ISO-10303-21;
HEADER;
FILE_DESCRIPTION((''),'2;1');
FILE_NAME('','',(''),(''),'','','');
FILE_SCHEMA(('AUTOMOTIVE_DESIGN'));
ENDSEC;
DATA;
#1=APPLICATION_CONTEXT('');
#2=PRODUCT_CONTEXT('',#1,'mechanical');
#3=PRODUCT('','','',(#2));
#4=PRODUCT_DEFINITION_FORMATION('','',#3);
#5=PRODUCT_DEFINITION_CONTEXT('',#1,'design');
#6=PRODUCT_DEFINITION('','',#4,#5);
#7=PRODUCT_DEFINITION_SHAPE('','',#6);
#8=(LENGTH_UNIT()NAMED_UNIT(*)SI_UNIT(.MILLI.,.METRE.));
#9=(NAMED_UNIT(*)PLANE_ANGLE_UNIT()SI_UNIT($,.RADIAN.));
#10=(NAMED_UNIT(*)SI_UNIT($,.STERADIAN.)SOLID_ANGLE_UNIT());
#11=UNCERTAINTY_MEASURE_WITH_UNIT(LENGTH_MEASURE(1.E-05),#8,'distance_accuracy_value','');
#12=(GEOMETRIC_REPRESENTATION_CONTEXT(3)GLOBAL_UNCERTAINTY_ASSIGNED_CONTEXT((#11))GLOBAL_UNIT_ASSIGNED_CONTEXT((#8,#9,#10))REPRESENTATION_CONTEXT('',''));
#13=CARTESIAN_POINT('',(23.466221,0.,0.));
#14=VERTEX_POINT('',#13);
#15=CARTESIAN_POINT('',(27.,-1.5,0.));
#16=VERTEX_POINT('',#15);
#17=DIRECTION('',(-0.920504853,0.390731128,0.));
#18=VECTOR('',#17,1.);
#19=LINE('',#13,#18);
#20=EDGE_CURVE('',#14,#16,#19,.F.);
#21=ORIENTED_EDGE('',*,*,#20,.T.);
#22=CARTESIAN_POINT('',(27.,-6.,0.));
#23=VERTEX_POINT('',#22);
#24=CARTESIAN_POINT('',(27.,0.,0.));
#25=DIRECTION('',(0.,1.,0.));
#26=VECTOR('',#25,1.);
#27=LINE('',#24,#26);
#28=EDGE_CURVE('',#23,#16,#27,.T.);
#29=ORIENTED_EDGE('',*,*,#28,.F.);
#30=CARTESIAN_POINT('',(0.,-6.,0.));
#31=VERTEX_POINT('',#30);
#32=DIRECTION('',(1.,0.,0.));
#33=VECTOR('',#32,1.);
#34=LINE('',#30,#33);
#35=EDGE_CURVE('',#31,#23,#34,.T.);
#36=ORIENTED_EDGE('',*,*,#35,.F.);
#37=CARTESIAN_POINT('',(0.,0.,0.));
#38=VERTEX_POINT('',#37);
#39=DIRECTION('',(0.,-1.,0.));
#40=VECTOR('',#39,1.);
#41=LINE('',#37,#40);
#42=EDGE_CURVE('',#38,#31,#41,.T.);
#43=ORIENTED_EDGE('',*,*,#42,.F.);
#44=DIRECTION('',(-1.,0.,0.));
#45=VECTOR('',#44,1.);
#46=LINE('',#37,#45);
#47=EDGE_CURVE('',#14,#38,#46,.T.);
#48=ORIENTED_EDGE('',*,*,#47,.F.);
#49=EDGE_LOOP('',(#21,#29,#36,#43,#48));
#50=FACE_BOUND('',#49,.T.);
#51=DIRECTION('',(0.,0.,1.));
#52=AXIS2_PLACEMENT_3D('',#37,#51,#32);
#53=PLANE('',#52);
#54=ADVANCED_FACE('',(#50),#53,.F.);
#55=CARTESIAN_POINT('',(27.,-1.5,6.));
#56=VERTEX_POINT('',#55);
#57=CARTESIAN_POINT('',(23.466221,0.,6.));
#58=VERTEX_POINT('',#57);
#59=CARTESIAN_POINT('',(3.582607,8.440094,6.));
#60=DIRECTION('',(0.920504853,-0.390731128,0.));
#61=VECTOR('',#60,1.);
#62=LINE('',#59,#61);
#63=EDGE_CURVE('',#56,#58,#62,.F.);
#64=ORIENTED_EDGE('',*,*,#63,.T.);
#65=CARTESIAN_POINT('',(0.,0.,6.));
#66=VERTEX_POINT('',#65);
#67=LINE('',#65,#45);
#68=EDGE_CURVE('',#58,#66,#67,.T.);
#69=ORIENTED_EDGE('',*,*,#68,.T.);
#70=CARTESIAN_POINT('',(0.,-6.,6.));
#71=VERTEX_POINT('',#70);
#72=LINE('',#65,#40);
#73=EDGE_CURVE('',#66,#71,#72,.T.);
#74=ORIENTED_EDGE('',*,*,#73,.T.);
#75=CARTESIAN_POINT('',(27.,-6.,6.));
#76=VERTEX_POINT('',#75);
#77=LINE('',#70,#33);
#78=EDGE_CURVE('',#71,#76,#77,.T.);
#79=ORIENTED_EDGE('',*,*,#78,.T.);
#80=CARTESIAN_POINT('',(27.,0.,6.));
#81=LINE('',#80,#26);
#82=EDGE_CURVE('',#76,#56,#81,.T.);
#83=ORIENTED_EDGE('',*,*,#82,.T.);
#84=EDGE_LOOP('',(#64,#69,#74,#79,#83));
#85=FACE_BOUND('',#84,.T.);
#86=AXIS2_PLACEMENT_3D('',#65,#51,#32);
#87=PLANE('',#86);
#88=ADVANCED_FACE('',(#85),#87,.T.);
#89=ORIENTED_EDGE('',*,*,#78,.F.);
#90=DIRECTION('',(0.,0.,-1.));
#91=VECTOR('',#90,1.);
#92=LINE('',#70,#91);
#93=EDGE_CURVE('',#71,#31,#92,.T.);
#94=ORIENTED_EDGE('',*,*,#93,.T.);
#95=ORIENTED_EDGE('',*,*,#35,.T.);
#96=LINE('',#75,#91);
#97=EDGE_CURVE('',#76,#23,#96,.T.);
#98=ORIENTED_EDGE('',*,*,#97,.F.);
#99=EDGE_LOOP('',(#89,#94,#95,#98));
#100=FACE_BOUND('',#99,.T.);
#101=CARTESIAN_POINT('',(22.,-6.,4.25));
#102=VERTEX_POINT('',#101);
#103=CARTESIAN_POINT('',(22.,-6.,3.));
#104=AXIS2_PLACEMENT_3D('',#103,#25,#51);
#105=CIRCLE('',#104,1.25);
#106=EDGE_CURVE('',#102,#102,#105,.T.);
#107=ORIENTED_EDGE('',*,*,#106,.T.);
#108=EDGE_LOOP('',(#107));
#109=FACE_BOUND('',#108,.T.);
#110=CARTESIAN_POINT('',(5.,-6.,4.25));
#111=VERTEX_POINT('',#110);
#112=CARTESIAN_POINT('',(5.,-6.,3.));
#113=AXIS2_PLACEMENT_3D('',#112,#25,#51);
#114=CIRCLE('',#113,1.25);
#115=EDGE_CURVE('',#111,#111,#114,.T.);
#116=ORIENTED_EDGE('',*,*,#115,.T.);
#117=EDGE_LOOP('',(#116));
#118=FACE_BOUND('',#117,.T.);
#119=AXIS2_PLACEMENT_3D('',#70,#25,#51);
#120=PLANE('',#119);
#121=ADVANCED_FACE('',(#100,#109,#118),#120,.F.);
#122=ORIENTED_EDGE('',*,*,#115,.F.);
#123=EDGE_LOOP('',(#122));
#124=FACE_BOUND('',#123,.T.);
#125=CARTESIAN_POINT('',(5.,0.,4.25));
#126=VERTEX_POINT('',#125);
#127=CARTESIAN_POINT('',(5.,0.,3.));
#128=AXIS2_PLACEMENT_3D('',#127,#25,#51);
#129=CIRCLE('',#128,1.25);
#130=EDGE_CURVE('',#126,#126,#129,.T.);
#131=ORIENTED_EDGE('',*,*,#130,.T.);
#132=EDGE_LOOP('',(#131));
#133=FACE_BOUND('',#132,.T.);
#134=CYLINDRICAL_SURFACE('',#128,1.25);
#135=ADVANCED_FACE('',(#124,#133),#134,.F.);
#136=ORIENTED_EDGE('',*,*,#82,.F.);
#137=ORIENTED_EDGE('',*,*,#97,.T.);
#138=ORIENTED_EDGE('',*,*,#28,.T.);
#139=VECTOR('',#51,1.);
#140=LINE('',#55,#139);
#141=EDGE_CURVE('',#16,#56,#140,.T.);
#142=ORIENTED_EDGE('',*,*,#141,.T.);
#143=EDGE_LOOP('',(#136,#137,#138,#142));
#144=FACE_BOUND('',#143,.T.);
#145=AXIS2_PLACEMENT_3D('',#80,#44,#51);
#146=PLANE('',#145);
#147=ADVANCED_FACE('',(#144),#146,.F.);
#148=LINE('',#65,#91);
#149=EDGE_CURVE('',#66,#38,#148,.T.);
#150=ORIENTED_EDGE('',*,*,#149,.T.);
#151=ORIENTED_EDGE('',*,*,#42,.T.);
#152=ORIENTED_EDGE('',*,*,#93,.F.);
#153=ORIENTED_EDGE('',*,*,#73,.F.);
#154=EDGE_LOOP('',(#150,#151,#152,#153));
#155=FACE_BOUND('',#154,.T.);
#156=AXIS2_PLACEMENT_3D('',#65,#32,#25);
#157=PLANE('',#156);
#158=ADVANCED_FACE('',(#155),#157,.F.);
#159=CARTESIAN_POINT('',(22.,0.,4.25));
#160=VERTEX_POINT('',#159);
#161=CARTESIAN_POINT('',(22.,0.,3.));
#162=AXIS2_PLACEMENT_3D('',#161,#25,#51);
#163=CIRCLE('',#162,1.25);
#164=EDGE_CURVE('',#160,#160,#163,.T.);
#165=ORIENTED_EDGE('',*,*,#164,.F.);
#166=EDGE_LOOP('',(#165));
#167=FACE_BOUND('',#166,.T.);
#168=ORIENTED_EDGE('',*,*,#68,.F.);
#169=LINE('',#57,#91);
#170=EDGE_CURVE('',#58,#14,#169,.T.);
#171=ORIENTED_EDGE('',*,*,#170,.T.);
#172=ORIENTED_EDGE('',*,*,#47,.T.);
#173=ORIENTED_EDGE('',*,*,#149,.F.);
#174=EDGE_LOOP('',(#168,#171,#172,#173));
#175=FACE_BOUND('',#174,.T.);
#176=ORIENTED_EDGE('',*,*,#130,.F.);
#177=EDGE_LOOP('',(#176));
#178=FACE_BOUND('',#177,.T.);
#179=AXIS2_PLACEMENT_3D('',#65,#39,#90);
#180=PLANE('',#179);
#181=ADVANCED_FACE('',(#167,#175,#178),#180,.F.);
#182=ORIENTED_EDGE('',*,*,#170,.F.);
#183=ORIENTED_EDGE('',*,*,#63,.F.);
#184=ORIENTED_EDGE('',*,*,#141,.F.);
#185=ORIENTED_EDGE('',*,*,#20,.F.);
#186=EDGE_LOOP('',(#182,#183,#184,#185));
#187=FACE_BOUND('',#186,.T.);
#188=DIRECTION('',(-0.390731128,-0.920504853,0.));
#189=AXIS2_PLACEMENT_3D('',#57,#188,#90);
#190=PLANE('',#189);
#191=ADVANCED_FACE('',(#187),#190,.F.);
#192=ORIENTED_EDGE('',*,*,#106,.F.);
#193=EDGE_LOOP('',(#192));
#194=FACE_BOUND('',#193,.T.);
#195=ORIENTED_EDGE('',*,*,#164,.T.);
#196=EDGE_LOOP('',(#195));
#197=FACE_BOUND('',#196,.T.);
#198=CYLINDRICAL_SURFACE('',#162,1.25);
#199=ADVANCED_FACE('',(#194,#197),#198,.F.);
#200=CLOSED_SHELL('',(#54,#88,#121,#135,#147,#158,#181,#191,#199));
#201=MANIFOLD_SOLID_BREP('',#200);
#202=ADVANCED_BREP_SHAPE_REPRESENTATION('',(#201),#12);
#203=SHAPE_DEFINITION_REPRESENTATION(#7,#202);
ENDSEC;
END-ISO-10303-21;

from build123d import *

# Parameters (mm, degrees)
ESQUISSE1_W           = 27
ESQUISSE1_H           = 6
BOSS_EXTRU_1_DEPTH    = 6
TROU_TARAUD_M31_D     = 2.5
TROU_TARAUD_M31_DEPTH = 8.5
TROU_TARAUD_M31_TIP   = 0.751075774
CHANFREIN1_SIZE       = 1.5
CHANFREIN1_SIZE2      = 3.533778549


with BuildPart() as part:
    # Esquisse1 → Boss.-Extru.1 (new body)
    with BuildSketch(Plane.XY):
        with Locations((13.5, -3)):
            Rectangle(ESQUISSE1_W, ESQUISSE1_H)
    extrude(amount=BOSS_EXTRU_1_DEPTH)

    # Trou taraudé M31
    with Locations(Plane(origin=(5, 0, 3), x_dir=(0, 0, 1), z_dir=(0, 1, 0))):
        with Locations((0, 0), (0, 17)):
            Hole(TROU_TARAUD_M31_D / 2, depth=TROU_TARAUD_M31_DEPTH)
            with Locations((0, 0, -(TROU_TARAUD_M31_DEPTH + TROU_TARAUD_M31_TIP / 2))):  # 118° drill point
                Cone(0, TROU_TARAUD_M31_D / 2, TROU_TARAUD_M31_TIP, mode=Mode.SUBTRACT)

    # Chanfrein1
    chanfrein1_edges = [part.edges().sort_by_distance(p)[0] for p in [
        (27, 0, 3),
    ]]
    chanfrein1_side = [part.faces().sort_by_distance(p)[0] for p in [
        (27, -3, 3),
    ]]
    chamfer(chanfrein1_edges, length=CHANFREIN1_SIZE, length2=CHANFREIN1_SIZE2, reference=chanfrein1_side[0])


solid = part.part
